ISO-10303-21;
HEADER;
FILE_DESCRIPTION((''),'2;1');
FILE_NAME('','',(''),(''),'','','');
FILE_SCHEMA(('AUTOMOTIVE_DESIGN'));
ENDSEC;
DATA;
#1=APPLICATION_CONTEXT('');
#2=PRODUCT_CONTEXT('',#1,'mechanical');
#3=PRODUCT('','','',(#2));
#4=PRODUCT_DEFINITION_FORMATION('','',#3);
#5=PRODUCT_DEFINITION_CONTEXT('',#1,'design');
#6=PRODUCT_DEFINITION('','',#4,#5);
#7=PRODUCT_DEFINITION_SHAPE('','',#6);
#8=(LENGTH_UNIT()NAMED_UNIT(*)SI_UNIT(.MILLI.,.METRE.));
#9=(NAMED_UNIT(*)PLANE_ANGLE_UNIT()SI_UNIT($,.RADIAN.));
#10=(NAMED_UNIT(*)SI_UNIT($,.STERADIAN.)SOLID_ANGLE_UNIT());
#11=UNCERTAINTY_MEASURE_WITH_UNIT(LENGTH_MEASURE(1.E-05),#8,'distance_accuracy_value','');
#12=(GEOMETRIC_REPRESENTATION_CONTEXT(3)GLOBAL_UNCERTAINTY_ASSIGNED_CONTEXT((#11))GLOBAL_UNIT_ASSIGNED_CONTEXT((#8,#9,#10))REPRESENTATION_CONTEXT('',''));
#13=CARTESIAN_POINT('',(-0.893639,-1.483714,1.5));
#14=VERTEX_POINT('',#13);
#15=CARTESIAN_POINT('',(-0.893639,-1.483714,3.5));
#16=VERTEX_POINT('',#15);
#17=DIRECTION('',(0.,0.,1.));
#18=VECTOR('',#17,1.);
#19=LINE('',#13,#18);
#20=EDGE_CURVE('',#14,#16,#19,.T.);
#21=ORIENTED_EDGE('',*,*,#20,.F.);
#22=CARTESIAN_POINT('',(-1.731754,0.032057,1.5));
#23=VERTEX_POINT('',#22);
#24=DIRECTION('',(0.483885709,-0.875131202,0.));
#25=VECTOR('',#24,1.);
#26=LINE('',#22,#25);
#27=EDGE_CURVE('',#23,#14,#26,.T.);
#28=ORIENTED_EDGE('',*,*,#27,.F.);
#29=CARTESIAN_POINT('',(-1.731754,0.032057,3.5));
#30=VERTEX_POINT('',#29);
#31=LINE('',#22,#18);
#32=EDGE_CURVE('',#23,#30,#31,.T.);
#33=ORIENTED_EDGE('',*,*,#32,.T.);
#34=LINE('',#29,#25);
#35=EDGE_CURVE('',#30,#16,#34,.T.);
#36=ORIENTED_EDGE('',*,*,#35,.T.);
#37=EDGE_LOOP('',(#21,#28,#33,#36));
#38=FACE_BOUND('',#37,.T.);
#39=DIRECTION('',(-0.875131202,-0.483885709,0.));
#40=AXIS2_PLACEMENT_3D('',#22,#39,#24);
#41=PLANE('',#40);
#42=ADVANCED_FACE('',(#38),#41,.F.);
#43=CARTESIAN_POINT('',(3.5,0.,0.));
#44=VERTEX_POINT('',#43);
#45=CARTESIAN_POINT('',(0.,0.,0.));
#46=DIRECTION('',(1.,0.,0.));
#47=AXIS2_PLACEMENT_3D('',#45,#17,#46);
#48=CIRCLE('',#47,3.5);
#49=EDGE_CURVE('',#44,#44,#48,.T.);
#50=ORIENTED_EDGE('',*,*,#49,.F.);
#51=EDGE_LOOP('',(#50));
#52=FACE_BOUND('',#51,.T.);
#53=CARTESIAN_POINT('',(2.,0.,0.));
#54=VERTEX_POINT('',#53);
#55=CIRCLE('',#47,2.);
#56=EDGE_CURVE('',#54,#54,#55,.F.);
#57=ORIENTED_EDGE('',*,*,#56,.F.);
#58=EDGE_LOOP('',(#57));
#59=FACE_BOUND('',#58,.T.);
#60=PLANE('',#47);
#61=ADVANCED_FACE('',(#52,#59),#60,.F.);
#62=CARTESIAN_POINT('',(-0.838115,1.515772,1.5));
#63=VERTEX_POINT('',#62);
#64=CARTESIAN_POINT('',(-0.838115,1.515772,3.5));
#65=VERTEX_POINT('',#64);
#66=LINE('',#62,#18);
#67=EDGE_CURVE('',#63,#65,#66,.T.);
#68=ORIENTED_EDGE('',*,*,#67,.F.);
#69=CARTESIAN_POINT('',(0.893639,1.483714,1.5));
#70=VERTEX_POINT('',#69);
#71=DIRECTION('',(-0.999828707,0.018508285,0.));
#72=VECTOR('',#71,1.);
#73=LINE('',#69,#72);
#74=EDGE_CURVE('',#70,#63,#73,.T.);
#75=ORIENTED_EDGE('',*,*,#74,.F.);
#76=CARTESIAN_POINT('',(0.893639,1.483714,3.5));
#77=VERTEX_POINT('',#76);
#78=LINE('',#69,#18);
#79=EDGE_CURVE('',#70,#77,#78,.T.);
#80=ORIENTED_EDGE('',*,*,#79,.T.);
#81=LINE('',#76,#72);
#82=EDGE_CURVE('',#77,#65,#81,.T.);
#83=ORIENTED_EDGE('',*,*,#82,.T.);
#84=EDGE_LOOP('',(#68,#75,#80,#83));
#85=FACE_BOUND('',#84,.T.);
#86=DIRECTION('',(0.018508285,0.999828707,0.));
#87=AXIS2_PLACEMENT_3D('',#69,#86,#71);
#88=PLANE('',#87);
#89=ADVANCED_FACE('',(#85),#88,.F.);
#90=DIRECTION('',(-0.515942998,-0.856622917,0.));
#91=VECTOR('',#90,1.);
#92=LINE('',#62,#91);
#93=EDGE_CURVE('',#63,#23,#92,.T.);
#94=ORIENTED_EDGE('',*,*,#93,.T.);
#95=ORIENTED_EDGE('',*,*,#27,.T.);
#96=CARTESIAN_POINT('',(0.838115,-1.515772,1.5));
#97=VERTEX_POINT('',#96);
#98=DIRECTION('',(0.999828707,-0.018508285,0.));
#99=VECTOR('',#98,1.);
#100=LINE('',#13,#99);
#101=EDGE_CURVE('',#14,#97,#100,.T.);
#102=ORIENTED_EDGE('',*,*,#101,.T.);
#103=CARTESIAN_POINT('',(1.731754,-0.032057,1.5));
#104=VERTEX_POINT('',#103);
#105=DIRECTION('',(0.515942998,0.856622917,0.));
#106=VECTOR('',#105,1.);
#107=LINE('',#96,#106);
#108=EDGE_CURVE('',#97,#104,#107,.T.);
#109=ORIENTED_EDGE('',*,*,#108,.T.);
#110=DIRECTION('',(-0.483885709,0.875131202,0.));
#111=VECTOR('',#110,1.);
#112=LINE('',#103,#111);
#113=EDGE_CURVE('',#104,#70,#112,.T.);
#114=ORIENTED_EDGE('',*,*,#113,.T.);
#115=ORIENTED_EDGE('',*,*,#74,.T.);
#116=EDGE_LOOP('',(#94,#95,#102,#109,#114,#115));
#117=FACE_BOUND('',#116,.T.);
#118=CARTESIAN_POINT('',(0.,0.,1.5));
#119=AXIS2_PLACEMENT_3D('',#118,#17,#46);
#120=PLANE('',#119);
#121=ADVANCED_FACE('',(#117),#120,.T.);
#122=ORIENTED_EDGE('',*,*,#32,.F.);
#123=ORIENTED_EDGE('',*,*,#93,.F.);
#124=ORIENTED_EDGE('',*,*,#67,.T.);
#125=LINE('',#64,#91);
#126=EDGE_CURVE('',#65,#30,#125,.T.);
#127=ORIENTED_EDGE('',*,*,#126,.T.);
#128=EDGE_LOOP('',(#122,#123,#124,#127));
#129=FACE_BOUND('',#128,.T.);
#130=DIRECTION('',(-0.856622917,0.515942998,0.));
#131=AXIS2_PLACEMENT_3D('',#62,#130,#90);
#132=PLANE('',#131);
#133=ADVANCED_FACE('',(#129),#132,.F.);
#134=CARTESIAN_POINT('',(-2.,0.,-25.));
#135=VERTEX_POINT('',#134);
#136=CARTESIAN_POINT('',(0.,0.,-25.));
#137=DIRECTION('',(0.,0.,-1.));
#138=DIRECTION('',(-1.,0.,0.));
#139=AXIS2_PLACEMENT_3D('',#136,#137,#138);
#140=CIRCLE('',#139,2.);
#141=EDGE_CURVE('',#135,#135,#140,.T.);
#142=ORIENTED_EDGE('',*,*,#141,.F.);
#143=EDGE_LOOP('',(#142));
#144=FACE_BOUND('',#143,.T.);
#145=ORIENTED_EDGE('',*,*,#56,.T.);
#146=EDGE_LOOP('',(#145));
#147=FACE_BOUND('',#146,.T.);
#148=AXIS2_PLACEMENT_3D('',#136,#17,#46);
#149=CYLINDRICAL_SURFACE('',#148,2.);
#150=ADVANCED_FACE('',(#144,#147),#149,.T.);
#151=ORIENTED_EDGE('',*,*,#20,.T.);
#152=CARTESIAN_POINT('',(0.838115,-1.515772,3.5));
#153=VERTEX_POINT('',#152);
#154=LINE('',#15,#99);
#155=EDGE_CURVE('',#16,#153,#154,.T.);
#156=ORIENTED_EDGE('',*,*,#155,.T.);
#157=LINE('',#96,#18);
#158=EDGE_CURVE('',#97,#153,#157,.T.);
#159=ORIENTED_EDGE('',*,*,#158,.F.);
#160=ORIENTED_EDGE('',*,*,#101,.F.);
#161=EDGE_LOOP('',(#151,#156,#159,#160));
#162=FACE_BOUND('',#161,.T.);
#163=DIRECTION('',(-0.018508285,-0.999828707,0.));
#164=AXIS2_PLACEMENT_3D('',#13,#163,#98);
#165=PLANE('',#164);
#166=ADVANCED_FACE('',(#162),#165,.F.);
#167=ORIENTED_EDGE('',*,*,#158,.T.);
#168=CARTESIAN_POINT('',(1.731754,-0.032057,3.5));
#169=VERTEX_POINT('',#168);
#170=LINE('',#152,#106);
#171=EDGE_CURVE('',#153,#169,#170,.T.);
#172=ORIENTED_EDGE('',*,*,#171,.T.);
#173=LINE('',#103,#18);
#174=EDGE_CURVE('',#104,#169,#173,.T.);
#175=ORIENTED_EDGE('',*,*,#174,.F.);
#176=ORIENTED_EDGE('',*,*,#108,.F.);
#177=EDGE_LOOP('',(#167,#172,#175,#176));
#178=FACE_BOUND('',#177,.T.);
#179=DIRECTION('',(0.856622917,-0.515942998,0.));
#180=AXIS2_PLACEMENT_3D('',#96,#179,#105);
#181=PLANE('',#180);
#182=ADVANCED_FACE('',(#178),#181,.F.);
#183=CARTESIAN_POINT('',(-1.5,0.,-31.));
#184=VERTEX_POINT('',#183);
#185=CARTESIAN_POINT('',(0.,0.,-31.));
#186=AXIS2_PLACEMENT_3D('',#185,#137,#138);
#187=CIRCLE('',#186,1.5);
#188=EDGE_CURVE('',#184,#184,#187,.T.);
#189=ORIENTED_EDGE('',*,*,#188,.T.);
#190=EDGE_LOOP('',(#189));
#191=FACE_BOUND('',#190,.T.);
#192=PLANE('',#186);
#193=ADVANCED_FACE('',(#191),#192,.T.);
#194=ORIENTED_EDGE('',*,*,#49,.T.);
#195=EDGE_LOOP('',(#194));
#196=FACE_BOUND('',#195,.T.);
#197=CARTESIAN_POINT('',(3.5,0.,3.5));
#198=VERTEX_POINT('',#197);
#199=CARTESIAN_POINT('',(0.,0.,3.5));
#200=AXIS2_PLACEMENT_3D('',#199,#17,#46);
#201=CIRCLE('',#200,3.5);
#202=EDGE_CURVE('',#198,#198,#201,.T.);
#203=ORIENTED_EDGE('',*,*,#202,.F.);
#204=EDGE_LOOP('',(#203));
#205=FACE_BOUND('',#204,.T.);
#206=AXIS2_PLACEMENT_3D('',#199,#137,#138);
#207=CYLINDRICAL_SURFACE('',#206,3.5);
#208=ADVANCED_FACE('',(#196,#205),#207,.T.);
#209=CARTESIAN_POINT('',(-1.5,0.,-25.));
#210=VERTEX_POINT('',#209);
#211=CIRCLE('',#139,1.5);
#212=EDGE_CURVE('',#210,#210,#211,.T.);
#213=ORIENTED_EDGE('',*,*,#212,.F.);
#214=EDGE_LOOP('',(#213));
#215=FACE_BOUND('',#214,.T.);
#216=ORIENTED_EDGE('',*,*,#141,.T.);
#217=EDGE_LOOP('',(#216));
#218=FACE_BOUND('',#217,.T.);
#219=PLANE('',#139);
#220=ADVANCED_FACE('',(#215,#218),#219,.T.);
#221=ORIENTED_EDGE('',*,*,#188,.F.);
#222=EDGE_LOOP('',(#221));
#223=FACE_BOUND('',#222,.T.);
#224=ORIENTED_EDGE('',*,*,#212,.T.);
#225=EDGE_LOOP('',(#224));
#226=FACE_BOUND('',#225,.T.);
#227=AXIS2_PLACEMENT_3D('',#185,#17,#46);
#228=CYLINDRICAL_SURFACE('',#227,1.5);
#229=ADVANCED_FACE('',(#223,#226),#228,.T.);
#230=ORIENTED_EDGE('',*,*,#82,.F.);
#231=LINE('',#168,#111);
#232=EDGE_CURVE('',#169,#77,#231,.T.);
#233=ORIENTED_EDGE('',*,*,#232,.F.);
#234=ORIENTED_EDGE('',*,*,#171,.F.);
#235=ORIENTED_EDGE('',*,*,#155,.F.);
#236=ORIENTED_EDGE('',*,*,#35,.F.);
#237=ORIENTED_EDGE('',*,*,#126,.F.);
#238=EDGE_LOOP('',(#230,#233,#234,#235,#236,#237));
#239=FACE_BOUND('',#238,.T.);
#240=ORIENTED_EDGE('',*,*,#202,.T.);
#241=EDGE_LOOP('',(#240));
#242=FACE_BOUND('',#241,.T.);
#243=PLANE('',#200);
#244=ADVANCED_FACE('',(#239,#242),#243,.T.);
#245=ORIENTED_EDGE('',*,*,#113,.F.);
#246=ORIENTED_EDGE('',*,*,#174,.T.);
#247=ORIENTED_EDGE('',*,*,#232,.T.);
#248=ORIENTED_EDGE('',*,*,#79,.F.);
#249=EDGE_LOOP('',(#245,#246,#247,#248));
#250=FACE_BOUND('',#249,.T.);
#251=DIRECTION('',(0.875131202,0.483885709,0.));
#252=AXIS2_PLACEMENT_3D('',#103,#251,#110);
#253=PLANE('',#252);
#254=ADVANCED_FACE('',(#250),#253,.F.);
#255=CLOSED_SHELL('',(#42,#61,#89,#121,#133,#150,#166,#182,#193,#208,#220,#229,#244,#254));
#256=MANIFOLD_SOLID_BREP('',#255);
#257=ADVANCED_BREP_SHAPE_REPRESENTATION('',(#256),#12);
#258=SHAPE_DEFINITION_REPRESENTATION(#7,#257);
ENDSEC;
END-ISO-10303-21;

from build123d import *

# Parameters (mm, degrees)
SKETCH_1_R          = 3.5
EXTRUDE_1_DEPTH     = 3.5
CUT_EXTRUDE_1_DEPTH = 2
SKETCH_3_R          = 2
EXTRUDE_2_DEPTH     = 25
SKETCH_4_R          = 1.5
EXTRUDE_3_DEPTH     = 6


with BuildPart() as part:
    # 草图1 → 凸台-拉伸1 (new body)
    with BuildSketch(Plane.XY):
        Circle(SKETCH_1_R)
    extrude(amount=EXTRUDE_1_DEPTH)

    # 草图2 → 切除-拉伸1 (cut)
    with BuildSketch(Plane.XY.offset(3.5)):
        Polygon((0.893639487, 1.483714416), (-0.838114632, 1.515771705), (-1.731754119, 0.03205729), (-0.893639487, -1.483714416), (0.838114632, -1.515771705), (1.731754119, -0.03205729), align=None)
    extrude(amount=-CUT_EXTRUDE_1_DEPTH, mode=Mode.SUBTRACT)

    # 草图3 → 凸台-拉伸2 (add)
    with BuildSketch(Plane(origin=(0, 0, 0), x_dir=(-1, 0, 0), z_dir=(0, 0, -1))):
        with Locations(Location((0, 0, 0), (0, 0, 180))):
            Circle(SKETCH_3_R)
    extrude(amount=EXTRUDE_2_DEPTH)

    # 草图4 → 凸台-拉伸3 (add)
    with BuildSketch(Plane(origin=(0, 0, -25), x_dir=(-1, 0, 0), z_dir=(0, 0, -1))):
        Circle(SKETCH_4_R)
    extrude(amount=EXTRUDE_3_DEPTH)


solid = part.part
